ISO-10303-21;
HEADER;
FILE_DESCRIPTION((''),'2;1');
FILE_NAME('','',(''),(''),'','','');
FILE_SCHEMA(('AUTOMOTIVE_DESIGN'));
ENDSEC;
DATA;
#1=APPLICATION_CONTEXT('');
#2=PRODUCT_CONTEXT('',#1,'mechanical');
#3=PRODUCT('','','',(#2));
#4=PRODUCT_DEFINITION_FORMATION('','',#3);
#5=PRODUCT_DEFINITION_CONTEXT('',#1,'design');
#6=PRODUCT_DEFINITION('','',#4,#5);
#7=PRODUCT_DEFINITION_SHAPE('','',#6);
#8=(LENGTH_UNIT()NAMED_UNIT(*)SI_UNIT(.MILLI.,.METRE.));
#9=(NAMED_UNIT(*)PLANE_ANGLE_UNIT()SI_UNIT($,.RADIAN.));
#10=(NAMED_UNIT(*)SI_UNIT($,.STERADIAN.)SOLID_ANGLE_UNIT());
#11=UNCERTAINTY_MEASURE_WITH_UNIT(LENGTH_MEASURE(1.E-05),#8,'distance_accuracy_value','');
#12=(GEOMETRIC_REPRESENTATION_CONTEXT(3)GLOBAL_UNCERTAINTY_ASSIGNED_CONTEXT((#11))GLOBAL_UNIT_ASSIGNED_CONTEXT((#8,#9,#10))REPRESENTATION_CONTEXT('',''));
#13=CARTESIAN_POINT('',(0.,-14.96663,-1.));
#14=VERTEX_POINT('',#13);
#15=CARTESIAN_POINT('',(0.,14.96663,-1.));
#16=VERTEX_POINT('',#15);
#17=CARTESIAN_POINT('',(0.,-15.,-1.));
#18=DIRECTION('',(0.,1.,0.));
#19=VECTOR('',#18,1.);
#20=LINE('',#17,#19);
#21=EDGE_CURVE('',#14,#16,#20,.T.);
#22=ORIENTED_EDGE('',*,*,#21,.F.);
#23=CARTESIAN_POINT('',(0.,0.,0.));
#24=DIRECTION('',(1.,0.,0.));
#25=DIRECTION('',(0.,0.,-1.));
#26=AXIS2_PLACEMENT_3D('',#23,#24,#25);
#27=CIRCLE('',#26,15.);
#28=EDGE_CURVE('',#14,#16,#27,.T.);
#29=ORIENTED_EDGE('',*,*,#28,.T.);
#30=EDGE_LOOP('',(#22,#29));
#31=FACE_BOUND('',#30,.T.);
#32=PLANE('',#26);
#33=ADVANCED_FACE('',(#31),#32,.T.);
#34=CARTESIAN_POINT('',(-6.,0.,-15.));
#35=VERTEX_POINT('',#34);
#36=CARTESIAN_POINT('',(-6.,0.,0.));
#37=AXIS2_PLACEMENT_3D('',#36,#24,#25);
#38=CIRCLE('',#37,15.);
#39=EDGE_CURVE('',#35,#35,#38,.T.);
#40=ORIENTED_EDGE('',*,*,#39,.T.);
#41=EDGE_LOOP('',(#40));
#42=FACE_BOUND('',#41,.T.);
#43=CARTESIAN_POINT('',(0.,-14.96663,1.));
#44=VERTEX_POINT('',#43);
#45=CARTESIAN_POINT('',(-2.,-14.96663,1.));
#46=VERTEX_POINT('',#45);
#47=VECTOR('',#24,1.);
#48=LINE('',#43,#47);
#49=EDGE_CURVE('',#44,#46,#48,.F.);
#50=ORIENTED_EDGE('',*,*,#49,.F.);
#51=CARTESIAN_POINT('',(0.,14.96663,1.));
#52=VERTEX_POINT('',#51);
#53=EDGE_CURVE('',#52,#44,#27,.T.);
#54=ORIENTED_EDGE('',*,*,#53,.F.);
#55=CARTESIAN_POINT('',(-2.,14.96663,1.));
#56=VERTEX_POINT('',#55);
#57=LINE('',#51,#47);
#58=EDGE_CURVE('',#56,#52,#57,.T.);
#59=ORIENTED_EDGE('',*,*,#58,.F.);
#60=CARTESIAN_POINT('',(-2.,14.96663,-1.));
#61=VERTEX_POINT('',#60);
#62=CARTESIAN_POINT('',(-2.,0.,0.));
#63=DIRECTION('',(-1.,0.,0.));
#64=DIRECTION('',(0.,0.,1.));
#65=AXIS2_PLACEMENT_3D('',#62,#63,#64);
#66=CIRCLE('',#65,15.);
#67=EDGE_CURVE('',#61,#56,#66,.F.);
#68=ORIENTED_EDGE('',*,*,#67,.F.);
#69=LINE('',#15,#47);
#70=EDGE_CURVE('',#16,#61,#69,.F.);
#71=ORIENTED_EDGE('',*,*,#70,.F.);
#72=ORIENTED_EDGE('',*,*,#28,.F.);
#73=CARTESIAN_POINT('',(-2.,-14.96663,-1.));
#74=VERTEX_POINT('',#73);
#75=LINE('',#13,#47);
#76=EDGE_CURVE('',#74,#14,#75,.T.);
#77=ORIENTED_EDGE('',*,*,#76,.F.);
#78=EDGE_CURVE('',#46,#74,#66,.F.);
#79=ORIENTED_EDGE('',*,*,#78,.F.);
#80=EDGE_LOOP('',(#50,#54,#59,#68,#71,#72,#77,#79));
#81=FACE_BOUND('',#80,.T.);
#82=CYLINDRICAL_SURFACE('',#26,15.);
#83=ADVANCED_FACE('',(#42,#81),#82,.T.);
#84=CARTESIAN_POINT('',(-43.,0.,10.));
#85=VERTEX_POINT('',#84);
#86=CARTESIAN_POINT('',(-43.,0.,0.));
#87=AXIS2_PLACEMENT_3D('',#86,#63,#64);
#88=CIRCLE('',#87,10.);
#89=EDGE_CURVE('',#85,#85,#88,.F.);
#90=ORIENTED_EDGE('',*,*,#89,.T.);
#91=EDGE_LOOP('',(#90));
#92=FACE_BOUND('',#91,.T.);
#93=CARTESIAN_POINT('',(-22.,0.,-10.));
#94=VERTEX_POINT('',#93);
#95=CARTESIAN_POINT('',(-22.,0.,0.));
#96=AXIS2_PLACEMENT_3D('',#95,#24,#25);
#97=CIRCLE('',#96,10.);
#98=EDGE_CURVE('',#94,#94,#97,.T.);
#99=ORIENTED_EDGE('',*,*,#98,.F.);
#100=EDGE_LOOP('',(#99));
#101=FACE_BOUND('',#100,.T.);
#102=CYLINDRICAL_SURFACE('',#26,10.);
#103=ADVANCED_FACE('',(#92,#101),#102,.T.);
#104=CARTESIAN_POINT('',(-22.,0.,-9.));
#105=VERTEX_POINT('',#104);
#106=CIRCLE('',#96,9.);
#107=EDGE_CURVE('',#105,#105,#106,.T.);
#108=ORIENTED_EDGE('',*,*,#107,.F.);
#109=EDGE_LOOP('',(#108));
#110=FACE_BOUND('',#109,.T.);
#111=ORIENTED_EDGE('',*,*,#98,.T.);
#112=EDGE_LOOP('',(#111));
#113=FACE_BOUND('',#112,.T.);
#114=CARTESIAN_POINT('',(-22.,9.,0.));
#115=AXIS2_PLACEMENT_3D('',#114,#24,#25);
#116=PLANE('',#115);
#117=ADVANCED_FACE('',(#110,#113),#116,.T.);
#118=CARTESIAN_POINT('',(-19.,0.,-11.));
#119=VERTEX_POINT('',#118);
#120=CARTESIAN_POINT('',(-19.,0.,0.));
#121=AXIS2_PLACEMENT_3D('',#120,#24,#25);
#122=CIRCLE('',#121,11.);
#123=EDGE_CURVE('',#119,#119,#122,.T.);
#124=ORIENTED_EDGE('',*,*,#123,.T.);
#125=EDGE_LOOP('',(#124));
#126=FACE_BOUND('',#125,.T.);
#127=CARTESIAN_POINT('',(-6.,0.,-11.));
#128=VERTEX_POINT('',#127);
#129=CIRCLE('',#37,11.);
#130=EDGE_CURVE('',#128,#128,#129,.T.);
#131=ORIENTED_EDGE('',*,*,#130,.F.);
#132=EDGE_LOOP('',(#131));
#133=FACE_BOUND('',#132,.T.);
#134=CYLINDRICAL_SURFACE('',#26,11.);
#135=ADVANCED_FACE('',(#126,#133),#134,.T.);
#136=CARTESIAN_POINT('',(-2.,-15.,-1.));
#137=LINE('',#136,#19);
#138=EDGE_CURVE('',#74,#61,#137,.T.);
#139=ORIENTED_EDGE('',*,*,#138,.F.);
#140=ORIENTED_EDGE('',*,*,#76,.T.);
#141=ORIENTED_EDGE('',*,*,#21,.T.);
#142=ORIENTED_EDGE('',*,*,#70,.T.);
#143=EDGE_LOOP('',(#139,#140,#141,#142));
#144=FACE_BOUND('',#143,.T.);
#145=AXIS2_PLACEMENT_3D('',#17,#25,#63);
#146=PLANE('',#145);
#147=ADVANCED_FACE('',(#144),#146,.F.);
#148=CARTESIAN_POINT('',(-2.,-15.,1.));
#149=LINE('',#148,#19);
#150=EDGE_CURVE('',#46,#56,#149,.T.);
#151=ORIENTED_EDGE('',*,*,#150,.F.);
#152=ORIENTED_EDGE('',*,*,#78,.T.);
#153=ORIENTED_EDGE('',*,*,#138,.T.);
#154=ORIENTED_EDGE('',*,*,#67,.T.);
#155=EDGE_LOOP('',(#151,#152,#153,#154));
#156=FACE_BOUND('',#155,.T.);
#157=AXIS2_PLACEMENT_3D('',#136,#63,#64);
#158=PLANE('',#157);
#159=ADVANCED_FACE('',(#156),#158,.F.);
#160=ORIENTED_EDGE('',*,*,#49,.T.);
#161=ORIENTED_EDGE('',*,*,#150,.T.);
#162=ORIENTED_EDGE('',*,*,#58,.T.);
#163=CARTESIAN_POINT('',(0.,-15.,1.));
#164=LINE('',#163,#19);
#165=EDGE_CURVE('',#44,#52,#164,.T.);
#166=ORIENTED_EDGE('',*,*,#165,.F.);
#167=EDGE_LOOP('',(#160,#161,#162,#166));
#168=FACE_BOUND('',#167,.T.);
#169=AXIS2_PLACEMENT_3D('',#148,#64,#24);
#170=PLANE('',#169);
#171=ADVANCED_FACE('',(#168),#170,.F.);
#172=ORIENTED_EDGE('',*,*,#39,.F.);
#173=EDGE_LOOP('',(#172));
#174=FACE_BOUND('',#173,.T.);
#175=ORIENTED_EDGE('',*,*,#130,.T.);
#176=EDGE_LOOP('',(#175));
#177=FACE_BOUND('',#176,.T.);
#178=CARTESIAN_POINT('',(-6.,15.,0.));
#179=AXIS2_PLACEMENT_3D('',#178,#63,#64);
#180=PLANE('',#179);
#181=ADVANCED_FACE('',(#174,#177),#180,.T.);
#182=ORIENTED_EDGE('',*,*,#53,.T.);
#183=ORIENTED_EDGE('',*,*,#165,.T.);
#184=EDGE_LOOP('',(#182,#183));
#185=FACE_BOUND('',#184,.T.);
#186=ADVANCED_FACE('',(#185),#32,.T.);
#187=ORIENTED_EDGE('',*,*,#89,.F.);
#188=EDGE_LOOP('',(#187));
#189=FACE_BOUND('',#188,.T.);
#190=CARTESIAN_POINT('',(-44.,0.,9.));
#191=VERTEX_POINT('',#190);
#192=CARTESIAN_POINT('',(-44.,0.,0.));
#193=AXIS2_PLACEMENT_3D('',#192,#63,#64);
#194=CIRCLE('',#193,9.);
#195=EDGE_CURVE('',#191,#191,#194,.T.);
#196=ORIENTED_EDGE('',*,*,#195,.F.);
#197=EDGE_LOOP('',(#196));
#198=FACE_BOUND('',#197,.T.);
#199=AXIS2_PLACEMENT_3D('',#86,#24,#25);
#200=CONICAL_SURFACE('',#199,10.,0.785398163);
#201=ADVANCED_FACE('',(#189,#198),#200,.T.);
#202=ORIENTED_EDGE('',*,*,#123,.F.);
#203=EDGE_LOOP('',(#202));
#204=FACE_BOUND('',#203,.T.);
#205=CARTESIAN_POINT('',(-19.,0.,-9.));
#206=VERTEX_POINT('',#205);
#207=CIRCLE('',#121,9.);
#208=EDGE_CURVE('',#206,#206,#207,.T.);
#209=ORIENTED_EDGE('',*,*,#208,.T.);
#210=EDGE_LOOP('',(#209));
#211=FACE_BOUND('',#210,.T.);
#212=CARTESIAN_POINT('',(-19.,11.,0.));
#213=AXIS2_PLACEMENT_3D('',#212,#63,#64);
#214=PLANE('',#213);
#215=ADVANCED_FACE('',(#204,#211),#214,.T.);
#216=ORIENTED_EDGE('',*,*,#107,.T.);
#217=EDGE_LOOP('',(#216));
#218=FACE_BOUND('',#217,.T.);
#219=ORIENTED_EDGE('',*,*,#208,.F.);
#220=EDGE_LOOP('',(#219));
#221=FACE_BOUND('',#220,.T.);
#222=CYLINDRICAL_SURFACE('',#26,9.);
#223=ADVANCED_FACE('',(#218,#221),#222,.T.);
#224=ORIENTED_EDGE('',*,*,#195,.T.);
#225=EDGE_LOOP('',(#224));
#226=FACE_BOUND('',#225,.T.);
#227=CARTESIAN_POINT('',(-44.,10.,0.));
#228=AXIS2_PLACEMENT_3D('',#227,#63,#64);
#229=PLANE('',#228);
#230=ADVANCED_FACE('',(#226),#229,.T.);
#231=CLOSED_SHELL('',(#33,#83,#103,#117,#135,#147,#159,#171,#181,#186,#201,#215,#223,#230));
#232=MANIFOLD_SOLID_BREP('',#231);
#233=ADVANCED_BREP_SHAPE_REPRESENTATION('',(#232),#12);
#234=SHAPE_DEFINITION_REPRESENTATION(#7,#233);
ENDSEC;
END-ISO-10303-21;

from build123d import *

# Parameters (mm, degrees)
KES_EKSTR_ZYON1_DEPTH      = 49.846698967
KES_EKSTR_ZYON1_DEPTH_BACK = 49.846698967
PAH1_SIZE                  = 1


with BuildPart() as part:
    # Çizim1 → Döndür1 (revolve)
    with BuildSketch(Plane.XY, mode=Mode.PRIVATE) as d_nd_r1_sk:
        Polygon((0, 0), (0, 15), (-6, 15), (-6, 11), (-19, 11), (-19, 9), (-22, 9), (-22, 10), (-44, 10), (-44, 0), align=None)
    revolve(d_nd_r1_sk.sketch.rotate(Axis((0, 0, 0), (-1, 0, 0)), 90), axis=Axis((0, 0, 0), (-1, 0, 0)))

    # Çizim2 → Kes-Ekstrüzyon1 (cut, two sides: drawn at the far end of the back side and taken through both)
    with BuildSketch(Plane(origin=(0, 0, 0), x_dir=(1, 0, 0), z_dir=(0, 1, 0)).offset(-KES_EKSTR_ZYON1_DEPTH_BACK)):
        Polygon((0, 0), (0, 1), (-2, 1), (-2, -1), (0, -1), align=None)
    extrude(amount=KES_EKSTR_ZYON1_DEPTH + KES_EKSTR_ZYON1_DEPTH_BACK, mode=Mode.SUBTRACT)

    # Pah1
    pah1_edges = [part.edges().sort_by_distance(p)[0] for p in [
        (-44, 0, 10),
    ]]
    chamfer(pah1_edges, length=PAH1_SIZE)


solid = part.part
